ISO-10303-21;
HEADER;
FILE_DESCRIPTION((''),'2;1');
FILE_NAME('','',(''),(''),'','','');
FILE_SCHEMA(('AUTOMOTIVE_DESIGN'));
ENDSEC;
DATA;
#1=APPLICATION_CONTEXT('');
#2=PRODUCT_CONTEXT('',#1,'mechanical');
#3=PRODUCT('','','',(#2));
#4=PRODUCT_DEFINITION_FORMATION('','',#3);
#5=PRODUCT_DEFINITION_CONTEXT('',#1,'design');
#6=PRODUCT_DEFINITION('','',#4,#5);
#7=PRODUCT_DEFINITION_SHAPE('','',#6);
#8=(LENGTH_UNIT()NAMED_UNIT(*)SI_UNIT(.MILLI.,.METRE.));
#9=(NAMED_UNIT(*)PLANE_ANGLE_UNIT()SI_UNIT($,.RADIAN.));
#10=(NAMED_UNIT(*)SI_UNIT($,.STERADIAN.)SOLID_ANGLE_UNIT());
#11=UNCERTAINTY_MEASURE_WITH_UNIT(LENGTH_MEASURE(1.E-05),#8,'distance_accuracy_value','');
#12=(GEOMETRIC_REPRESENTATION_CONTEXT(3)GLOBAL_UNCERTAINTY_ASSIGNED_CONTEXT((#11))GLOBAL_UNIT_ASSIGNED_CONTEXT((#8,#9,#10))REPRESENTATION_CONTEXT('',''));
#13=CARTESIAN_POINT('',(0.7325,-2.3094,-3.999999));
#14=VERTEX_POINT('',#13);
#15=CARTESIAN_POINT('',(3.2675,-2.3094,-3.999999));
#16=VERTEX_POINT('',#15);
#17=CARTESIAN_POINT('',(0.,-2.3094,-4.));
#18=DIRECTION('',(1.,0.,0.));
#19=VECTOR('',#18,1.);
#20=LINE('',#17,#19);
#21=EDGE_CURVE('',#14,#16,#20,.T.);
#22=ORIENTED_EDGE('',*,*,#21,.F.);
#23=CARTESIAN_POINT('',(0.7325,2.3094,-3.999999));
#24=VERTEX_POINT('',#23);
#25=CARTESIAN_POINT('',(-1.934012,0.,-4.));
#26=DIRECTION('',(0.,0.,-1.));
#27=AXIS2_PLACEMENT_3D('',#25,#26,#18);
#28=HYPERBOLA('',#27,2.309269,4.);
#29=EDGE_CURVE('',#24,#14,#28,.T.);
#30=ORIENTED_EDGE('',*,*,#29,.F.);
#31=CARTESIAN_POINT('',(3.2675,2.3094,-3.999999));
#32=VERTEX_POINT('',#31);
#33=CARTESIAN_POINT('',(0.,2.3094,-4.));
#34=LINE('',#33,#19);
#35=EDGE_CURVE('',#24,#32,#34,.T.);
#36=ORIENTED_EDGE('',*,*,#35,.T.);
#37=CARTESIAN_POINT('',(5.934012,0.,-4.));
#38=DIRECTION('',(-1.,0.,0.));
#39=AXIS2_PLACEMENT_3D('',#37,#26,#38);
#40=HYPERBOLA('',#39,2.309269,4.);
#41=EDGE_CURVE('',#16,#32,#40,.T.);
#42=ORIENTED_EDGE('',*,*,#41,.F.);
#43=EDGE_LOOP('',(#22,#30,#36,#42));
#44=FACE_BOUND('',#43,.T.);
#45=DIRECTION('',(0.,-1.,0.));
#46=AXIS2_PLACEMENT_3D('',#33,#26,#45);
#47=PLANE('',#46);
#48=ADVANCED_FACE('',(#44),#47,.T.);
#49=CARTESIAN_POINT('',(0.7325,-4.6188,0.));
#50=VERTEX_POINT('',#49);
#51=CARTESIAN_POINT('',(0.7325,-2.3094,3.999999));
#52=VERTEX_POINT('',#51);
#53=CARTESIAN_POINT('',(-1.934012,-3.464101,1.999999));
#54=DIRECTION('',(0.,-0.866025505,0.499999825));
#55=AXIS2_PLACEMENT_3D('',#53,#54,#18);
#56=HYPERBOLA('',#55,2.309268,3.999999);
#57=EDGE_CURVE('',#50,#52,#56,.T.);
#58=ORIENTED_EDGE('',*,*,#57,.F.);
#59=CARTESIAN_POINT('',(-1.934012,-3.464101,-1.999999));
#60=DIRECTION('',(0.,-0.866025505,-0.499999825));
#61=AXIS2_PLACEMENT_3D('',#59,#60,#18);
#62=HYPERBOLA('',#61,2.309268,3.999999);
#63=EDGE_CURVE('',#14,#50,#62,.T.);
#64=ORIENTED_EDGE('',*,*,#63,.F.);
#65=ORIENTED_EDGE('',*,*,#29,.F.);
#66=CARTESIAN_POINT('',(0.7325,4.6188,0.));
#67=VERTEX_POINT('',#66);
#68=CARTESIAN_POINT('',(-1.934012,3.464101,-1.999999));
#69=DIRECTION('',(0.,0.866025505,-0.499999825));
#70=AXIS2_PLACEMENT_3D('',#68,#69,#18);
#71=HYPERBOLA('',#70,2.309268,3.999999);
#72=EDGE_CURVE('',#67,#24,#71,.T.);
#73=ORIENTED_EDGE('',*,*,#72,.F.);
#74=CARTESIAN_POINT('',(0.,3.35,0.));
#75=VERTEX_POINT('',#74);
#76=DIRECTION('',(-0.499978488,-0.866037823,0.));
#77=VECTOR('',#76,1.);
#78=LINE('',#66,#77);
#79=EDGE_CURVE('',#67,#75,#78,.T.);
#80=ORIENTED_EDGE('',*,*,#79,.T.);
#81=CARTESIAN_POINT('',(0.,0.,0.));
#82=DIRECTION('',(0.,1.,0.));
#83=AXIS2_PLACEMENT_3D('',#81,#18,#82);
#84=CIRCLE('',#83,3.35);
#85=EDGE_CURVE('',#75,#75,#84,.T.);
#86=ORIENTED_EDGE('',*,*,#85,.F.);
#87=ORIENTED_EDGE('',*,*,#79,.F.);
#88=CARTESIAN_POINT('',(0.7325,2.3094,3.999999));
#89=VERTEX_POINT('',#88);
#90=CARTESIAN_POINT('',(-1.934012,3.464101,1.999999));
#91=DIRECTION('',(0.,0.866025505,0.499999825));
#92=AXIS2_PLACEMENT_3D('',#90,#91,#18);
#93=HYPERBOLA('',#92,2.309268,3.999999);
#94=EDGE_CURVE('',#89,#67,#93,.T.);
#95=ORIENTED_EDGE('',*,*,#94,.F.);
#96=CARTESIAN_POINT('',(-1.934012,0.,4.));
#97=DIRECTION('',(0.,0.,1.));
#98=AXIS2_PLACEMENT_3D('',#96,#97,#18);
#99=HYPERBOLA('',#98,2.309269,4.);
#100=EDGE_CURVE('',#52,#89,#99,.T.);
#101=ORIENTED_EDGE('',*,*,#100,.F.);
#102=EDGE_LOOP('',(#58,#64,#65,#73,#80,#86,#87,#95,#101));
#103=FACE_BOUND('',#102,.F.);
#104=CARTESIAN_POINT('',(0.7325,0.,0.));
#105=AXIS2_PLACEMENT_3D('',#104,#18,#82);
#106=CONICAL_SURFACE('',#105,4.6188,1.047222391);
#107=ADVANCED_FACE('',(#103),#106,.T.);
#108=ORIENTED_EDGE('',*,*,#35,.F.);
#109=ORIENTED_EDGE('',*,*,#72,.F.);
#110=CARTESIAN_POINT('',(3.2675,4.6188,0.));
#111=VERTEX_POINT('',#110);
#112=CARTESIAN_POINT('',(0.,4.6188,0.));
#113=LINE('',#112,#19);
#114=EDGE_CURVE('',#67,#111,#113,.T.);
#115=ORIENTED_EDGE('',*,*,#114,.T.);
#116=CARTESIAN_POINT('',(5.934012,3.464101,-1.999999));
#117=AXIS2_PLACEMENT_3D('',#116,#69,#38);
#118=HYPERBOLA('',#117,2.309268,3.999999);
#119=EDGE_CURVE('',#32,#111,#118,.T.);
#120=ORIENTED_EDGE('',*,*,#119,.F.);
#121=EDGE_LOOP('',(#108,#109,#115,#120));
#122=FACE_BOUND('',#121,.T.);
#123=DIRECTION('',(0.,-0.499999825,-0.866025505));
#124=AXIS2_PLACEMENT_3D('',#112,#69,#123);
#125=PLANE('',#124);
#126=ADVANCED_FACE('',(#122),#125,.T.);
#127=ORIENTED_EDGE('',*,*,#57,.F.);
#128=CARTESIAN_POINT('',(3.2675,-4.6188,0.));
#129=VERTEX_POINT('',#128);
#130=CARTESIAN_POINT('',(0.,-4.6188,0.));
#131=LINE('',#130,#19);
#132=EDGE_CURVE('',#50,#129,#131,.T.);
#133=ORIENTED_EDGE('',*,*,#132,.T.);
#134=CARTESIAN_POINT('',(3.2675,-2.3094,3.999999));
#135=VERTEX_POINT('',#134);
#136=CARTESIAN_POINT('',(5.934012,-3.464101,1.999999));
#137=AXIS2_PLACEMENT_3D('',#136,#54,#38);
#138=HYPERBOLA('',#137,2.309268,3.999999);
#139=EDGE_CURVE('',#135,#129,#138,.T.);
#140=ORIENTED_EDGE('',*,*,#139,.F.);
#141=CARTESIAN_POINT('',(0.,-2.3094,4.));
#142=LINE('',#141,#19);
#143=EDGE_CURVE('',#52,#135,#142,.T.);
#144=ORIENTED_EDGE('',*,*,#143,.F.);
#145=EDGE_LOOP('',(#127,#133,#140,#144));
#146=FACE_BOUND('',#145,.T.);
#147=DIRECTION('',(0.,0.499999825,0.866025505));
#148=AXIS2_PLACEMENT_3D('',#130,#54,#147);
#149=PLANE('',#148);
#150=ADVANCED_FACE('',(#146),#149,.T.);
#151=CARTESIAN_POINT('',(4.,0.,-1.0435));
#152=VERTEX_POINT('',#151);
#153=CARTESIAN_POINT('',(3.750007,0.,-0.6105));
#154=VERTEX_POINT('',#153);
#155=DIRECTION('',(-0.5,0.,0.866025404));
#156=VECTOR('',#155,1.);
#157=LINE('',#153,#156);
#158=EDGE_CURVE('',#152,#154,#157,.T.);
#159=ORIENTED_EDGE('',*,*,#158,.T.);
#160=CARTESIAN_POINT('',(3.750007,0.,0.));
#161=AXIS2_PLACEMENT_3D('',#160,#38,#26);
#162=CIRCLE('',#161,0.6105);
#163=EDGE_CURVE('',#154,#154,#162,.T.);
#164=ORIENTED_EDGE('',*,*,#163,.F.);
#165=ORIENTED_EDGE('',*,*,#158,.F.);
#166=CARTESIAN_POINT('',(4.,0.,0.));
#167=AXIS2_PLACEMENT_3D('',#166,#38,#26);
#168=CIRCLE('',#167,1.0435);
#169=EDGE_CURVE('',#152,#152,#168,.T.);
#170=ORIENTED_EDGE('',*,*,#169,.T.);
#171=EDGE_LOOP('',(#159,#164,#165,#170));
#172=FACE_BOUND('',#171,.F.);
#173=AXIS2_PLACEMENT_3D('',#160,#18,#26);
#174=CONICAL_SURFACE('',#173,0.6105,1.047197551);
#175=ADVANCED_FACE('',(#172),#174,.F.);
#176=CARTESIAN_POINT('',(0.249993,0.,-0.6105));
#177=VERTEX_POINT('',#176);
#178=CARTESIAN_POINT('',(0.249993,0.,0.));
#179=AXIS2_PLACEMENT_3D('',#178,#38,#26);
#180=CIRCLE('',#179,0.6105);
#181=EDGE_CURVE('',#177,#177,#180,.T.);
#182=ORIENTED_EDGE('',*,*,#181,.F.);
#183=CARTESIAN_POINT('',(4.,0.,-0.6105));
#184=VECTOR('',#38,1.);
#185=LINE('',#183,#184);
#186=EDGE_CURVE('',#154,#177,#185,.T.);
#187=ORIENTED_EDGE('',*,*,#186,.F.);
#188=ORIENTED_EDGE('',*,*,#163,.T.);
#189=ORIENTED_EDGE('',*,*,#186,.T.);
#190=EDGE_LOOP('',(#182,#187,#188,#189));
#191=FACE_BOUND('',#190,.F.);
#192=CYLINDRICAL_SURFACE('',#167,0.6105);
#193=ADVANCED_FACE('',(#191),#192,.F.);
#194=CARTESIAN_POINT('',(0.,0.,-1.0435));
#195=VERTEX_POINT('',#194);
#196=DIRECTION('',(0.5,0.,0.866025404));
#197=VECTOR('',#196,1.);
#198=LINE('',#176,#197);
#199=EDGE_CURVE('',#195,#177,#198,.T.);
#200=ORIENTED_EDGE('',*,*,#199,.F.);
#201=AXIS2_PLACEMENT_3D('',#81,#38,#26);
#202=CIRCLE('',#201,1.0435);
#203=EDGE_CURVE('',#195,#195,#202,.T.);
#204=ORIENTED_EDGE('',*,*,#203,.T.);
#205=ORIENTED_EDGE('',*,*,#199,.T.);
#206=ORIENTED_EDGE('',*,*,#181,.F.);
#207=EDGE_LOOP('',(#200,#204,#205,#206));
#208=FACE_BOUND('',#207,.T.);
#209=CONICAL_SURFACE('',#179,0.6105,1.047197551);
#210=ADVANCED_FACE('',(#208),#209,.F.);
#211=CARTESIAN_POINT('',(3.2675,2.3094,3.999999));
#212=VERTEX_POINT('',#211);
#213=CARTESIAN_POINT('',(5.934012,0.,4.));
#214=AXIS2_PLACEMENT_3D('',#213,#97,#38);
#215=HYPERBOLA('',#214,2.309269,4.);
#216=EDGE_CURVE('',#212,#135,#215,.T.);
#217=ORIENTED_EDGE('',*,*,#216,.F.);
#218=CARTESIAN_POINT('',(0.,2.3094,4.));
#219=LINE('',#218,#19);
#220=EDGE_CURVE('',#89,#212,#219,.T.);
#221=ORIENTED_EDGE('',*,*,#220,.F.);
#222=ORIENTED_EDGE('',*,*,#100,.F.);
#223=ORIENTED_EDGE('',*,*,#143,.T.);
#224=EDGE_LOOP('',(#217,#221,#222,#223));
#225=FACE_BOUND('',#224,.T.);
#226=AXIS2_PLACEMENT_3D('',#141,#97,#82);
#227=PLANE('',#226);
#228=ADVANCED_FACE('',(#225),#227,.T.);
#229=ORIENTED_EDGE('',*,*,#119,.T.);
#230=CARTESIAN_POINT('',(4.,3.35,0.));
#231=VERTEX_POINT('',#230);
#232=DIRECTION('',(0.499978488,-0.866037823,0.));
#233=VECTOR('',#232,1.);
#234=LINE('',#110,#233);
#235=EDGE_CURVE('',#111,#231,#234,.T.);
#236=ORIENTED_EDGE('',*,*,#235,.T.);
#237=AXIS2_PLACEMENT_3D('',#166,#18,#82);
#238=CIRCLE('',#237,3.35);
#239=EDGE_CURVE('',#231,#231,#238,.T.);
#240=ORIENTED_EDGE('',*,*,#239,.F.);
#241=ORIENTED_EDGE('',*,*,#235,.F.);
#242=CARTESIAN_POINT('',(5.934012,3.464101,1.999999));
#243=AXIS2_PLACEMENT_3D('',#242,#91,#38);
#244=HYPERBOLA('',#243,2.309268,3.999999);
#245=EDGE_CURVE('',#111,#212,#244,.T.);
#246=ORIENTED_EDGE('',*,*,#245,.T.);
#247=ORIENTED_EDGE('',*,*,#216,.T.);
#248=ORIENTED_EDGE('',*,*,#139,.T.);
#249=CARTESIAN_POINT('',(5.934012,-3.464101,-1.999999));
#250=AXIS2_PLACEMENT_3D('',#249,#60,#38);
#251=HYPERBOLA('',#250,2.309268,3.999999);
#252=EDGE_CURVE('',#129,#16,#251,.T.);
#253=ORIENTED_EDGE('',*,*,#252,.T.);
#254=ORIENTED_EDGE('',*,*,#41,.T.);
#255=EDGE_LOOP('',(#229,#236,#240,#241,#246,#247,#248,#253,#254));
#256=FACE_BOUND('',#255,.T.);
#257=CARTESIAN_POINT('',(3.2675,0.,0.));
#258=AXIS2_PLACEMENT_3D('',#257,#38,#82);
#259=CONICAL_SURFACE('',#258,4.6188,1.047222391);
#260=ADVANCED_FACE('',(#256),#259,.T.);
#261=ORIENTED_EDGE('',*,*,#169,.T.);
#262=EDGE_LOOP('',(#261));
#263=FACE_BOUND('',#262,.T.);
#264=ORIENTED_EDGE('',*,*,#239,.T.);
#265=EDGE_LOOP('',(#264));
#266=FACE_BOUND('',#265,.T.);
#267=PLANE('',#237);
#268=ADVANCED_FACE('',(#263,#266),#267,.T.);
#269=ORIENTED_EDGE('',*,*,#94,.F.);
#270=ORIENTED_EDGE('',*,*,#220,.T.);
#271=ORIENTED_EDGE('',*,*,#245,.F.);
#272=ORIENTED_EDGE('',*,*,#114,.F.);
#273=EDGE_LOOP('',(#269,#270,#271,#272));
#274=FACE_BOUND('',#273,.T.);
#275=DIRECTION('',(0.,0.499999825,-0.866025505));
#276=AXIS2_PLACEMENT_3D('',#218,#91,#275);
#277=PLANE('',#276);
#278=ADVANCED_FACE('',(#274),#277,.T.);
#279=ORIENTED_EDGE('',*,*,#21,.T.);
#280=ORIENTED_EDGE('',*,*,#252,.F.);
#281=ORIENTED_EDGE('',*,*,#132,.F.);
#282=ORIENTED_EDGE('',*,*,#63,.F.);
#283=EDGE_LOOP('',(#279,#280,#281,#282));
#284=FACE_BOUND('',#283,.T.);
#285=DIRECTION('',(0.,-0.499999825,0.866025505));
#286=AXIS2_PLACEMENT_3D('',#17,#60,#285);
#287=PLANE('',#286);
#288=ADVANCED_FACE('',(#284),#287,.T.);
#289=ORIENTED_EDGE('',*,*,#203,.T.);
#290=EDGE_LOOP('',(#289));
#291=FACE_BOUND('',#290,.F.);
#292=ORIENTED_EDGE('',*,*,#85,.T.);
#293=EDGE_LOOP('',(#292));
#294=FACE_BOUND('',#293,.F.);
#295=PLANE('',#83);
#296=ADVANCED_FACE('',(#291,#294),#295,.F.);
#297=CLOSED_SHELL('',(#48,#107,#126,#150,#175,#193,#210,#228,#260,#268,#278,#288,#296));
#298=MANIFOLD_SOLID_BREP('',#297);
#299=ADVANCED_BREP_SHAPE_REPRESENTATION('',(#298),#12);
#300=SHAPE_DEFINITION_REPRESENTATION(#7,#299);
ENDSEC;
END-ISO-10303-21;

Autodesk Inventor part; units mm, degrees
ref_plane "YZ Plane" through (0, 0, 0) normal (1, 0, 0) x (0, 1, 0)
ref_plane "XZ Plane" through (0, 0, 0) normal (0, 1, 0) x (-1, 0, 0)
sketch "Sketch1" plane through (0, 0, 0) normal (1, 0, 0) x (0, 1, 0)
  line L0 (-4.6188, 0) -> (-2.3094, 4)
  line L1 (-2.3094, 4) -> (2.3094, 4)
  line L2 (2.3094, 4) -> (4.6188, 0)
  line L3 (4.6188, 0) -> (2.3094, -4)
  line L4 (2.3094, -4) -> (-2.3094, -4)
  line L5 (-2.3094, -4) -> (-4.6188, 0)
  point P0 (0, 0)
  point P1 (0, 0)
  dimension "d0" = 9.2376
extrude "Body" add sketch "Sketch1" along normal blind 4
sketch "Sketch2" plane through (0, 0, 0) normal (0, 0, 1) x (1, 0, 0)
  line L0 (0, 2.3094) -> (0, 4.6188) projected
  line L1 (0, 4.6188) -> (4, 4.6188) projected
  line L2 (4, 2.3094) -> (4, 4.6188) projected
  line L3 (-0.16, 0) -> (0.96, 0) projected
  line L4 (0.7325, 4.6188) -> (0, 3.35)
  line L5 (3.2675, 4.6188) -> (4, 3.35)
  dimension "d3" = 30
  dimension "d4" = 30
  dimension "d5" = 6.7
  dimension "d6" = 6.7
revolve "Chamfer1" cut sketch "Sketch2" angle 360 about axis through (-10, 0, 0) along (1, 0, 0)
sketch "Sketch3" plane through (4, 0, 0) normal (1, 0, 0) x (0, 0, -1)
  arc A0 (-0.625, -1.0825) -> (0.625, -1.0825) centre (0, 0) ccw projected
hole "Thread" at (4, 0, 0) direction (-1, 0, 0) diameter 1.221 end through all thread size "M1.6x0.35" class "6H" standard "ANSI Metric M Profile"
chamfer "Chamfer2" distance 0.433 angle 30 1 edges at (4, 0, 0.6105) measured on face at (4, 2.4029, -0.2918)
chamfer "Chamfer3" distance 0.433 angle 30 1 edges at (0, 0, 0.6105) measured on face at (0, 2.4029, -0.2918)
ref_plane "Work Plane1" through (-8.8582, 0, 0) normal (0, -0.866, -0.5) x (1, 0, 0)
equation "\"d0\" = 1.1547 * SW"
equation "\"d1\" = KOH"
equation "\"d3\" = ANG1"
equation "\"d4\" = ANG2"
equation "\"d5\" = SW0"
equation "\"d6\" = SW01"
equation "\"d8\" = -0.5 * GD1 + 0.5 * NND"
equation "\"d40\" = -0.5 * GD1 + 0.5 * NND"
equation "\"d10\" = -0.5 * GD1 + 0.5 * NND"
equation "\"d41\" = -0.5 * GD1 + 0.5 * NND"
equation "\"ANG1\" = 30deg"
equation "\"ANG2\" = 30deg"
equation "\"NND\" = 5"
equation "\"KOH\" = 4"
equation "\"SW\" = 8"
equation "\"SW0\" = 6.7"
equation "\"SW01\" = 6.7"
equation "\"GUL\" = 0.541266 * PTC"
equation "\"THREADDIA\" = 5"
equation "\"TOA\" = 30deg"
equation "\"PTC\" = 0.8"
equation "\"E0\" = 1.155 * SW"
equation "\"GAL\" = 0.541266 * PTC"
equation "\"GD1\" = 4.133975"
properties part number "DIN 555-5 - M5" material "Steel, Mild"
